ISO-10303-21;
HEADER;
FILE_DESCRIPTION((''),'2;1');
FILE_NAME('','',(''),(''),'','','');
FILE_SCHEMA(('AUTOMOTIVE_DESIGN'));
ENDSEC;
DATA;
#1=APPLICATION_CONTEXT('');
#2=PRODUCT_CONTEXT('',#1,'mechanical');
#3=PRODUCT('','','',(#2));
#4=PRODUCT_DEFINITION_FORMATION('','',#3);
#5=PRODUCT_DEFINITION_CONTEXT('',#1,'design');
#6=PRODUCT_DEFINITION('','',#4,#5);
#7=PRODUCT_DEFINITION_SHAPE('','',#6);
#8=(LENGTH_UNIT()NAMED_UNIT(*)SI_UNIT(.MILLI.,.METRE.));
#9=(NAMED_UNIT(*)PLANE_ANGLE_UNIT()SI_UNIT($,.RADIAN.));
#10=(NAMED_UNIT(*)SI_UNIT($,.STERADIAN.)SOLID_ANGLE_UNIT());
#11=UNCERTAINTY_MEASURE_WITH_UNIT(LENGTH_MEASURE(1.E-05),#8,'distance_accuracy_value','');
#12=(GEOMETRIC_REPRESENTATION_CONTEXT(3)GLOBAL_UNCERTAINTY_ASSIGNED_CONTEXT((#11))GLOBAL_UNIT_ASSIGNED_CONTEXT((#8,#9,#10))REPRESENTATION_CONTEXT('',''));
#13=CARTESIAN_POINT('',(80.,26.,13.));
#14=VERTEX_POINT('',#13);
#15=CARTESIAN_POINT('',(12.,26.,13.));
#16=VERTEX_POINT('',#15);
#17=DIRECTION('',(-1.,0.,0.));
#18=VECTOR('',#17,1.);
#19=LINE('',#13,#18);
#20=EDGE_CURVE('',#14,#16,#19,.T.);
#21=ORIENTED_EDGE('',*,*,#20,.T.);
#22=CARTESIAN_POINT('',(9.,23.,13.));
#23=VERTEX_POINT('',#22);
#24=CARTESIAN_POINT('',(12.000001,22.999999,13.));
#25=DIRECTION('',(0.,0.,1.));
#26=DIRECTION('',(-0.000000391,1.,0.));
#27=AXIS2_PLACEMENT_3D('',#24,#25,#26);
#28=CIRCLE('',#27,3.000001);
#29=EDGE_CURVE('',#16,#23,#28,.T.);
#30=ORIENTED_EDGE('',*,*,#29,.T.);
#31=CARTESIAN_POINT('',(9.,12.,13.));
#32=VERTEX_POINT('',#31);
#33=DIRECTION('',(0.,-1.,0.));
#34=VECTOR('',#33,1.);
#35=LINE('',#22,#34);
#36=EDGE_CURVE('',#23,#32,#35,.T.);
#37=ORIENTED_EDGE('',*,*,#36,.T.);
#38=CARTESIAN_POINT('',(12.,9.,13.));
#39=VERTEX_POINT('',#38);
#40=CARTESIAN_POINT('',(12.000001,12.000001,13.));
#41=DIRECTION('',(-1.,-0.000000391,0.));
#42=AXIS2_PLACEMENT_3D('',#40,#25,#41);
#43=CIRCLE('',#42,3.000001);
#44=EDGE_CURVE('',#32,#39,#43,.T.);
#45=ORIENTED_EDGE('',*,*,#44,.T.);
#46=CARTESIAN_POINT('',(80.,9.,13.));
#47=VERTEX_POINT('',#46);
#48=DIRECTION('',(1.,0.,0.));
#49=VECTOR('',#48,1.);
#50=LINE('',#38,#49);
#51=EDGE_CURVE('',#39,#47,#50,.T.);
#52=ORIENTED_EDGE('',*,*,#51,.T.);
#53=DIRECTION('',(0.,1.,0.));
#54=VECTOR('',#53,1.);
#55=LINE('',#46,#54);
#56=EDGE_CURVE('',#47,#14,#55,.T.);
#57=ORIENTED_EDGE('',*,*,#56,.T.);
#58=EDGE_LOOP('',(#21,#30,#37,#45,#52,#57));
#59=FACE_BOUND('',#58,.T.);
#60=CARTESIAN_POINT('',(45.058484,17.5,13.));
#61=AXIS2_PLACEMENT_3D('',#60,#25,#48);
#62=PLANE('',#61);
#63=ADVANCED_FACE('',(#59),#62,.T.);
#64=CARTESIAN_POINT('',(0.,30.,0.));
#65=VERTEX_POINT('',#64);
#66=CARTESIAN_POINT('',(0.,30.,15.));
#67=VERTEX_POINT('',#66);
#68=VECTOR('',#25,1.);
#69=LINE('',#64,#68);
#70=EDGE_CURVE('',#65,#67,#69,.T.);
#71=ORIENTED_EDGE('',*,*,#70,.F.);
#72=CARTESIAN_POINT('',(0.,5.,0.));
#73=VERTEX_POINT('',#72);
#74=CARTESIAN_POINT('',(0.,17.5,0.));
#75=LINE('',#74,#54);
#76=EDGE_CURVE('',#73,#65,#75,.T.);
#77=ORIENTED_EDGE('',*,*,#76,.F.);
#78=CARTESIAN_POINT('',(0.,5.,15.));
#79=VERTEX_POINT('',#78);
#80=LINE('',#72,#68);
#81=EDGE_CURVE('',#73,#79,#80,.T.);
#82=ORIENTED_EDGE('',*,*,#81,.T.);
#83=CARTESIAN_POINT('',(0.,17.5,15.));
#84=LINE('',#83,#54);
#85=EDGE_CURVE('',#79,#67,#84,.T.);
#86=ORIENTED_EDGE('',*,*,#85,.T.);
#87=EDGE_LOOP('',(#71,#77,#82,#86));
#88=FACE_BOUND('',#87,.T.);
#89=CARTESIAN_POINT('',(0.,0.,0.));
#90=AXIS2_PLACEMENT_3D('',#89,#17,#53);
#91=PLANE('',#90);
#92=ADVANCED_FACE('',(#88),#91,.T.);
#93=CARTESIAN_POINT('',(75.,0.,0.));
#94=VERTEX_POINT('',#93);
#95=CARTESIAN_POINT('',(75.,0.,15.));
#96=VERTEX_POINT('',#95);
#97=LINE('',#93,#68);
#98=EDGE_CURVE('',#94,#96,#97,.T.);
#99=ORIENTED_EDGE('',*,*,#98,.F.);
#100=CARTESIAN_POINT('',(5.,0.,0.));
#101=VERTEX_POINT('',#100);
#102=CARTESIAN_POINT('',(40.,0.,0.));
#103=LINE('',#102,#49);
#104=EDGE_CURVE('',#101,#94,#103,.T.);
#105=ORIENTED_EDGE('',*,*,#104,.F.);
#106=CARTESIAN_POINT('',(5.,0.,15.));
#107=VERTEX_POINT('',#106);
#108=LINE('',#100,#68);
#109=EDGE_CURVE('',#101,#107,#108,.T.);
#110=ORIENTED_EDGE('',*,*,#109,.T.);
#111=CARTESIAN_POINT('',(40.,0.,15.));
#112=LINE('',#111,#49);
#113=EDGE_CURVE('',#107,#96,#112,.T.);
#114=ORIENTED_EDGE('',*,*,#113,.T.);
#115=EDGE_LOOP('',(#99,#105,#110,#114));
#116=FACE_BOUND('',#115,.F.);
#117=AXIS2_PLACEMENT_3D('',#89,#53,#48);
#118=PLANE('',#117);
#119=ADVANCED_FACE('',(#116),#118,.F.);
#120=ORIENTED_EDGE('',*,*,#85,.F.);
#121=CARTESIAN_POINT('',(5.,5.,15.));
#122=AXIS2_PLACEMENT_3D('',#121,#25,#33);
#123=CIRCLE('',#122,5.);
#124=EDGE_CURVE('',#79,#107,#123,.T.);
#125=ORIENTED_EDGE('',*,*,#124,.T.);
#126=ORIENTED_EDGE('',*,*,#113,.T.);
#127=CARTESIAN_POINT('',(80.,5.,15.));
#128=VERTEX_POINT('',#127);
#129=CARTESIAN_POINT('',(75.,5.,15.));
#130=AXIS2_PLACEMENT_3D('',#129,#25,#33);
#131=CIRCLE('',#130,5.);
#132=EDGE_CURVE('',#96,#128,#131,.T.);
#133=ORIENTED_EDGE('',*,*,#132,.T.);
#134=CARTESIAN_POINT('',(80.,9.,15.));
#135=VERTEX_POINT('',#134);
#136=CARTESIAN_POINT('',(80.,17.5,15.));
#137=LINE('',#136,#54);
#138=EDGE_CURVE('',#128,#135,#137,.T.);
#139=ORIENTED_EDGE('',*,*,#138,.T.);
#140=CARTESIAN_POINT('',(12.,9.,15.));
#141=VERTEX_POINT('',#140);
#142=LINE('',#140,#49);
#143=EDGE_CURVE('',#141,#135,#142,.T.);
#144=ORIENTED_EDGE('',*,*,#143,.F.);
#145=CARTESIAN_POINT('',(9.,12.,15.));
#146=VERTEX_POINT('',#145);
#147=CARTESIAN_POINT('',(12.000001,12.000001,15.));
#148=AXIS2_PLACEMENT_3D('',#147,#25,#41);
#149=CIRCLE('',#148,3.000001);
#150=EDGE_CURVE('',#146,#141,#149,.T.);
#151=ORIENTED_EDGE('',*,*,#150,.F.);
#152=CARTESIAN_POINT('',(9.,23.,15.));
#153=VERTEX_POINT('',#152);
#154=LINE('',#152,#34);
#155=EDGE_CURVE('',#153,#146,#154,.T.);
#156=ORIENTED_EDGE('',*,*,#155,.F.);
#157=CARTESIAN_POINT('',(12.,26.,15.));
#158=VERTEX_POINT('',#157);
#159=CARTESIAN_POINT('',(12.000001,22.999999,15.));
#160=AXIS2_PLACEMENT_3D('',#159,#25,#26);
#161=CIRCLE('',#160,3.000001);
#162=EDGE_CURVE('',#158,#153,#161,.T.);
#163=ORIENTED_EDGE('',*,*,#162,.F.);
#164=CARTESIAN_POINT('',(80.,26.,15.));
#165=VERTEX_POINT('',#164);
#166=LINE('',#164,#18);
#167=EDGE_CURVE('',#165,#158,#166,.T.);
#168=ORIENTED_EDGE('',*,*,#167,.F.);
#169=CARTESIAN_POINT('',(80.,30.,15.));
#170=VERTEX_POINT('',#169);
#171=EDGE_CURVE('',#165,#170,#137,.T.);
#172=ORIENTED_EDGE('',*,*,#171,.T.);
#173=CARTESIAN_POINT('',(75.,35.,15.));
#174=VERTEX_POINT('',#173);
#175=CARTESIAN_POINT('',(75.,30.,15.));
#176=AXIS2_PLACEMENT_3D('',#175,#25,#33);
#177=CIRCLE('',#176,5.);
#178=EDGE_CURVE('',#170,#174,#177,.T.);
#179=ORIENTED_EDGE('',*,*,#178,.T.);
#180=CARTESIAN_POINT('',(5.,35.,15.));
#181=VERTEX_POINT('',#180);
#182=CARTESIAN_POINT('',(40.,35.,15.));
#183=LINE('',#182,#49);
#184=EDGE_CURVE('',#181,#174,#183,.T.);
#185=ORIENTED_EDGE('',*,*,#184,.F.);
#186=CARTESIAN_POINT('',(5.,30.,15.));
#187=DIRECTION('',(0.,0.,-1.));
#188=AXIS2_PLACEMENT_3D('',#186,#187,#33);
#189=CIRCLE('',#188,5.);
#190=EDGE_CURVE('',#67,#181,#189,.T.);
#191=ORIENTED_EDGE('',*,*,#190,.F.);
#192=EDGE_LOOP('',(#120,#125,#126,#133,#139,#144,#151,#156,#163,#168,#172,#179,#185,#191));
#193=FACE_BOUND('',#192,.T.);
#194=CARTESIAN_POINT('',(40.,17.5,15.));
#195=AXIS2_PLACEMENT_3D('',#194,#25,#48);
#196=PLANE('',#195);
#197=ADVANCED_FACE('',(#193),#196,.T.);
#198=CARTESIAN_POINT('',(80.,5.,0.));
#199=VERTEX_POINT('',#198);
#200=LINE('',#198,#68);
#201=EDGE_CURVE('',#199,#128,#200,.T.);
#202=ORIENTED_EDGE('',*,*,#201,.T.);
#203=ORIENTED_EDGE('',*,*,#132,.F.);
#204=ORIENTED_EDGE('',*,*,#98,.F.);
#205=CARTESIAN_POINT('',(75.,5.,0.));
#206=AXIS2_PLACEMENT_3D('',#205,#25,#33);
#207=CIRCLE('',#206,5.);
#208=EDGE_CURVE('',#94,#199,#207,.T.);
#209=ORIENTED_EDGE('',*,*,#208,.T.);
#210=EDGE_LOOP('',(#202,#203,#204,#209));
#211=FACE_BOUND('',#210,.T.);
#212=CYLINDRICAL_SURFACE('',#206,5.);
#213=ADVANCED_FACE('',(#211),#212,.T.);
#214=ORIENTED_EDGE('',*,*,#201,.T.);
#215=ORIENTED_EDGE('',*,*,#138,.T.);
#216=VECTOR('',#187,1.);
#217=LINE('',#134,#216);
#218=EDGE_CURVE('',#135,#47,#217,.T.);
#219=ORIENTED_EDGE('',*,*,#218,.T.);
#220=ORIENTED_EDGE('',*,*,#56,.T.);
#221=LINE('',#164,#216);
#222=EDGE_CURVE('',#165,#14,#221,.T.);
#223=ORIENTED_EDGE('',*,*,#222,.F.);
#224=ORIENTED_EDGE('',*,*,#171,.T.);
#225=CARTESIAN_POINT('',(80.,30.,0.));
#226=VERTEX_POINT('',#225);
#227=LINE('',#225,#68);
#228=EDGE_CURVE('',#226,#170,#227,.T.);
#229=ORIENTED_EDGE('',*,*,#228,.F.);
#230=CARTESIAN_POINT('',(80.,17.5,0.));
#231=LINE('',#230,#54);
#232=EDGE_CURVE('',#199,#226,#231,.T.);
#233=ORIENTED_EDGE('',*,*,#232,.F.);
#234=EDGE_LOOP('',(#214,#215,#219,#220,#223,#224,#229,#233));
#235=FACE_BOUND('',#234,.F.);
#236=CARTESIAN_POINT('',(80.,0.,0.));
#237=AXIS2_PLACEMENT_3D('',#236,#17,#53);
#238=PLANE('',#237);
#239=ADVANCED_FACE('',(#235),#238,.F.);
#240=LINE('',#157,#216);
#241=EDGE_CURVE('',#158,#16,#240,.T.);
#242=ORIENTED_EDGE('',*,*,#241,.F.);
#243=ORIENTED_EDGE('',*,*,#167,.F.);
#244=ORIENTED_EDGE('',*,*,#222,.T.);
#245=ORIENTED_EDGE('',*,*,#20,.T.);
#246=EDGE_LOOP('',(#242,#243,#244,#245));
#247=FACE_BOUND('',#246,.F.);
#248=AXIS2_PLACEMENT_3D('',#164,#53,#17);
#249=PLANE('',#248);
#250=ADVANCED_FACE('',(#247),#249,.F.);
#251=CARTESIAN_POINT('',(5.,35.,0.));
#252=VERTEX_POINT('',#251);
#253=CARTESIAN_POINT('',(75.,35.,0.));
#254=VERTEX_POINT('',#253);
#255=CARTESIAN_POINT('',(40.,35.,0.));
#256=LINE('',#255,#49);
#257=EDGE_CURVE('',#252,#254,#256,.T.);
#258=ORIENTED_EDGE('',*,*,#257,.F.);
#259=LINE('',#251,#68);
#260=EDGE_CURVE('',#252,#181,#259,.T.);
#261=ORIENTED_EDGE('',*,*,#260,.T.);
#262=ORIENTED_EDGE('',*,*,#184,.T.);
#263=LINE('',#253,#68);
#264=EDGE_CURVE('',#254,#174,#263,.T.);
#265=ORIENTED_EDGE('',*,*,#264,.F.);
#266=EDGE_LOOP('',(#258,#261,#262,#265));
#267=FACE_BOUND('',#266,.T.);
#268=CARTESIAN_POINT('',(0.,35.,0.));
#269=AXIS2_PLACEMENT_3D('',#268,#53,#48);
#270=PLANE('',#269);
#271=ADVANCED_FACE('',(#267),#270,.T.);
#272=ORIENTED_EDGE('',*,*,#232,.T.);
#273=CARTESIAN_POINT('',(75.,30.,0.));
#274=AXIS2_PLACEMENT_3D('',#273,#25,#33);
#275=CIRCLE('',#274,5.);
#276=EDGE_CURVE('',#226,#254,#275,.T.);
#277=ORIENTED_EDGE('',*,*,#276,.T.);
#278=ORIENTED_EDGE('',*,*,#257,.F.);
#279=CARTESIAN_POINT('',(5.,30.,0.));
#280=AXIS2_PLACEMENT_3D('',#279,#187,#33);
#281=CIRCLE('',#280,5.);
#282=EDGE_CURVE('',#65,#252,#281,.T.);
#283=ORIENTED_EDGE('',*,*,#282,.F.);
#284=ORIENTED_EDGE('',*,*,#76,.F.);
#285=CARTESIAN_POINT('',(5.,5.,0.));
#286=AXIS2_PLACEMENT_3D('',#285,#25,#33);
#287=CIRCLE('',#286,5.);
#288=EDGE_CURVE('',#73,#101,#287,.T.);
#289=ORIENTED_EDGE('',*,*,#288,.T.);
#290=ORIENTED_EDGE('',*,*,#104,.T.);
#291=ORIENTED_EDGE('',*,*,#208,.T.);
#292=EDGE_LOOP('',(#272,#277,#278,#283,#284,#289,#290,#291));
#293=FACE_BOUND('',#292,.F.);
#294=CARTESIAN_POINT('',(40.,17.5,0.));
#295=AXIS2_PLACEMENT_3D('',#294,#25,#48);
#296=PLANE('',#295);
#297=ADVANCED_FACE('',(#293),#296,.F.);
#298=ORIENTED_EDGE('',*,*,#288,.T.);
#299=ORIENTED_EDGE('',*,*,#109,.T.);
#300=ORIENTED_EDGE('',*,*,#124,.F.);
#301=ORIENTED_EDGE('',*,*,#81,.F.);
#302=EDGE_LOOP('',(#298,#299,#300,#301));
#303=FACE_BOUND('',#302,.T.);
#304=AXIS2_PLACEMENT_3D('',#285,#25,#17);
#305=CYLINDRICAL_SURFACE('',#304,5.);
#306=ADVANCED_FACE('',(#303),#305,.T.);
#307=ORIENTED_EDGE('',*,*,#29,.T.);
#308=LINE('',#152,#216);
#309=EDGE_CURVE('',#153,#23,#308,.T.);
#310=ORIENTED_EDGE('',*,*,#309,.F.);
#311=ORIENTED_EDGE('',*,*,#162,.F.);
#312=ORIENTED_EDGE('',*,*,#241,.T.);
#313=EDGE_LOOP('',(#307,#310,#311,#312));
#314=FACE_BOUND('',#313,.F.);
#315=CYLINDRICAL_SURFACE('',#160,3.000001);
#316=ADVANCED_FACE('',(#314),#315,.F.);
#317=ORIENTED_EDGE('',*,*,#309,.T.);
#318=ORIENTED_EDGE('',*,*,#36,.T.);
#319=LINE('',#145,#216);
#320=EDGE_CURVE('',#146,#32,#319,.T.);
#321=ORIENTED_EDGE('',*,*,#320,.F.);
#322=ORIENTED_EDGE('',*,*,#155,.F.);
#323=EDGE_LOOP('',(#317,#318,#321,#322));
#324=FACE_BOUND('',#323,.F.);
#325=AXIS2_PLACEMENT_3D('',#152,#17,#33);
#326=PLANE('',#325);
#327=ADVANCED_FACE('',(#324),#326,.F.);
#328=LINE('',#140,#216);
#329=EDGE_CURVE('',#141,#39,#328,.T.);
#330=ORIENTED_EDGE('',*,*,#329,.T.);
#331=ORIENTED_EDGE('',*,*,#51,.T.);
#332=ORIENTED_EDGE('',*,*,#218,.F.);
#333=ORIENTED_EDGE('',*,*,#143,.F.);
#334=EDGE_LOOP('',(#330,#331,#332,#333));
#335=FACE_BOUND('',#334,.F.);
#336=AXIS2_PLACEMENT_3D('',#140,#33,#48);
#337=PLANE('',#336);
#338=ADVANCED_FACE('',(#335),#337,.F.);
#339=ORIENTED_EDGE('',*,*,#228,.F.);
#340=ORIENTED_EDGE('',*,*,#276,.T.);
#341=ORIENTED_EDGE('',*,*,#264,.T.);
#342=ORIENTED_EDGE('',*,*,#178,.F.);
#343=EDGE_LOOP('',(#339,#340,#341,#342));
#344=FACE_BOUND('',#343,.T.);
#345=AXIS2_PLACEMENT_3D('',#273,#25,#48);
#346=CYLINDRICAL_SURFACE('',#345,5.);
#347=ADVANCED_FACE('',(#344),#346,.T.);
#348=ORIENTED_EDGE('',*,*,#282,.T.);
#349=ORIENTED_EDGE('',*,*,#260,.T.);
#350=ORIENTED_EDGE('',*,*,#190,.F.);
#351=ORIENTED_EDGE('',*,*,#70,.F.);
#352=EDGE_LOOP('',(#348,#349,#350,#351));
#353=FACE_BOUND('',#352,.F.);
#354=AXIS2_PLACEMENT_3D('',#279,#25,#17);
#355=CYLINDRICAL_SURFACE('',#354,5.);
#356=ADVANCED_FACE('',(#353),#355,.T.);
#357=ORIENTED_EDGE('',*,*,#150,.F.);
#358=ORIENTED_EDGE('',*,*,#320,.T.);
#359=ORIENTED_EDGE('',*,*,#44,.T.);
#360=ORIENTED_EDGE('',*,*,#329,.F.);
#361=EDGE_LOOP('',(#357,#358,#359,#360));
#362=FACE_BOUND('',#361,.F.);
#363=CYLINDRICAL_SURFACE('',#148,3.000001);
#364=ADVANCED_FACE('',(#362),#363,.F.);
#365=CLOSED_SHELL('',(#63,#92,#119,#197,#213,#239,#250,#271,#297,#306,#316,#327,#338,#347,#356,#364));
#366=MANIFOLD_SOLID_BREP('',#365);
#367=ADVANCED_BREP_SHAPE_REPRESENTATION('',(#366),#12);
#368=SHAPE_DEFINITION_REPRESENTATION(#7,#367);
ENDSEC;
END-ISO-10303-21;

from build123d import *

# Parameters (mm, degrees)
F0_W     = 80
F0_H     = 35
F1_DEPTH = 15
F2_R     = 5
F4_DEPTH = 2


with BuildPart() as f1:
    # F0 (on Top) → F1 (new body)
    with BuildSketch(Plane.XY):
        with Locations((40, 17.5)):
            Rectangle(F0_W, F0_H)
    extrude(amount=F1_DEPTH)

    # F2
    f2_edges = [f1.edges().sort_by_distance(p)[0] for p in [
        (0, 0, 7.5),
        (80, 0, 7.5),
        (80, 35, 7.5),
        (0, 35, 7.5),
    ]]
    fillet(f2_edges, radius=F2_R)

    # F3 (on face) → F4 (cut)
    with BuildSketch(Plane.XY.offset(15)):
        with BuildLine():
            Line((80, 26), (12, 26))
            ThreePointArc((12, 26), (9.87868, 25.12132), (9, 23))
            Line((9, 23), (9, 12))
            ThreePointArc((9, 12), (9.87868, 9.87868), (12, 9))
            Line((12, 9), (80, 9))
            Line((80, 9), (80, 26))
        make_face()
    extrude(amount=-F4_DEPTH, mode=Mode.SUBTRACT)


solid = f1.part
